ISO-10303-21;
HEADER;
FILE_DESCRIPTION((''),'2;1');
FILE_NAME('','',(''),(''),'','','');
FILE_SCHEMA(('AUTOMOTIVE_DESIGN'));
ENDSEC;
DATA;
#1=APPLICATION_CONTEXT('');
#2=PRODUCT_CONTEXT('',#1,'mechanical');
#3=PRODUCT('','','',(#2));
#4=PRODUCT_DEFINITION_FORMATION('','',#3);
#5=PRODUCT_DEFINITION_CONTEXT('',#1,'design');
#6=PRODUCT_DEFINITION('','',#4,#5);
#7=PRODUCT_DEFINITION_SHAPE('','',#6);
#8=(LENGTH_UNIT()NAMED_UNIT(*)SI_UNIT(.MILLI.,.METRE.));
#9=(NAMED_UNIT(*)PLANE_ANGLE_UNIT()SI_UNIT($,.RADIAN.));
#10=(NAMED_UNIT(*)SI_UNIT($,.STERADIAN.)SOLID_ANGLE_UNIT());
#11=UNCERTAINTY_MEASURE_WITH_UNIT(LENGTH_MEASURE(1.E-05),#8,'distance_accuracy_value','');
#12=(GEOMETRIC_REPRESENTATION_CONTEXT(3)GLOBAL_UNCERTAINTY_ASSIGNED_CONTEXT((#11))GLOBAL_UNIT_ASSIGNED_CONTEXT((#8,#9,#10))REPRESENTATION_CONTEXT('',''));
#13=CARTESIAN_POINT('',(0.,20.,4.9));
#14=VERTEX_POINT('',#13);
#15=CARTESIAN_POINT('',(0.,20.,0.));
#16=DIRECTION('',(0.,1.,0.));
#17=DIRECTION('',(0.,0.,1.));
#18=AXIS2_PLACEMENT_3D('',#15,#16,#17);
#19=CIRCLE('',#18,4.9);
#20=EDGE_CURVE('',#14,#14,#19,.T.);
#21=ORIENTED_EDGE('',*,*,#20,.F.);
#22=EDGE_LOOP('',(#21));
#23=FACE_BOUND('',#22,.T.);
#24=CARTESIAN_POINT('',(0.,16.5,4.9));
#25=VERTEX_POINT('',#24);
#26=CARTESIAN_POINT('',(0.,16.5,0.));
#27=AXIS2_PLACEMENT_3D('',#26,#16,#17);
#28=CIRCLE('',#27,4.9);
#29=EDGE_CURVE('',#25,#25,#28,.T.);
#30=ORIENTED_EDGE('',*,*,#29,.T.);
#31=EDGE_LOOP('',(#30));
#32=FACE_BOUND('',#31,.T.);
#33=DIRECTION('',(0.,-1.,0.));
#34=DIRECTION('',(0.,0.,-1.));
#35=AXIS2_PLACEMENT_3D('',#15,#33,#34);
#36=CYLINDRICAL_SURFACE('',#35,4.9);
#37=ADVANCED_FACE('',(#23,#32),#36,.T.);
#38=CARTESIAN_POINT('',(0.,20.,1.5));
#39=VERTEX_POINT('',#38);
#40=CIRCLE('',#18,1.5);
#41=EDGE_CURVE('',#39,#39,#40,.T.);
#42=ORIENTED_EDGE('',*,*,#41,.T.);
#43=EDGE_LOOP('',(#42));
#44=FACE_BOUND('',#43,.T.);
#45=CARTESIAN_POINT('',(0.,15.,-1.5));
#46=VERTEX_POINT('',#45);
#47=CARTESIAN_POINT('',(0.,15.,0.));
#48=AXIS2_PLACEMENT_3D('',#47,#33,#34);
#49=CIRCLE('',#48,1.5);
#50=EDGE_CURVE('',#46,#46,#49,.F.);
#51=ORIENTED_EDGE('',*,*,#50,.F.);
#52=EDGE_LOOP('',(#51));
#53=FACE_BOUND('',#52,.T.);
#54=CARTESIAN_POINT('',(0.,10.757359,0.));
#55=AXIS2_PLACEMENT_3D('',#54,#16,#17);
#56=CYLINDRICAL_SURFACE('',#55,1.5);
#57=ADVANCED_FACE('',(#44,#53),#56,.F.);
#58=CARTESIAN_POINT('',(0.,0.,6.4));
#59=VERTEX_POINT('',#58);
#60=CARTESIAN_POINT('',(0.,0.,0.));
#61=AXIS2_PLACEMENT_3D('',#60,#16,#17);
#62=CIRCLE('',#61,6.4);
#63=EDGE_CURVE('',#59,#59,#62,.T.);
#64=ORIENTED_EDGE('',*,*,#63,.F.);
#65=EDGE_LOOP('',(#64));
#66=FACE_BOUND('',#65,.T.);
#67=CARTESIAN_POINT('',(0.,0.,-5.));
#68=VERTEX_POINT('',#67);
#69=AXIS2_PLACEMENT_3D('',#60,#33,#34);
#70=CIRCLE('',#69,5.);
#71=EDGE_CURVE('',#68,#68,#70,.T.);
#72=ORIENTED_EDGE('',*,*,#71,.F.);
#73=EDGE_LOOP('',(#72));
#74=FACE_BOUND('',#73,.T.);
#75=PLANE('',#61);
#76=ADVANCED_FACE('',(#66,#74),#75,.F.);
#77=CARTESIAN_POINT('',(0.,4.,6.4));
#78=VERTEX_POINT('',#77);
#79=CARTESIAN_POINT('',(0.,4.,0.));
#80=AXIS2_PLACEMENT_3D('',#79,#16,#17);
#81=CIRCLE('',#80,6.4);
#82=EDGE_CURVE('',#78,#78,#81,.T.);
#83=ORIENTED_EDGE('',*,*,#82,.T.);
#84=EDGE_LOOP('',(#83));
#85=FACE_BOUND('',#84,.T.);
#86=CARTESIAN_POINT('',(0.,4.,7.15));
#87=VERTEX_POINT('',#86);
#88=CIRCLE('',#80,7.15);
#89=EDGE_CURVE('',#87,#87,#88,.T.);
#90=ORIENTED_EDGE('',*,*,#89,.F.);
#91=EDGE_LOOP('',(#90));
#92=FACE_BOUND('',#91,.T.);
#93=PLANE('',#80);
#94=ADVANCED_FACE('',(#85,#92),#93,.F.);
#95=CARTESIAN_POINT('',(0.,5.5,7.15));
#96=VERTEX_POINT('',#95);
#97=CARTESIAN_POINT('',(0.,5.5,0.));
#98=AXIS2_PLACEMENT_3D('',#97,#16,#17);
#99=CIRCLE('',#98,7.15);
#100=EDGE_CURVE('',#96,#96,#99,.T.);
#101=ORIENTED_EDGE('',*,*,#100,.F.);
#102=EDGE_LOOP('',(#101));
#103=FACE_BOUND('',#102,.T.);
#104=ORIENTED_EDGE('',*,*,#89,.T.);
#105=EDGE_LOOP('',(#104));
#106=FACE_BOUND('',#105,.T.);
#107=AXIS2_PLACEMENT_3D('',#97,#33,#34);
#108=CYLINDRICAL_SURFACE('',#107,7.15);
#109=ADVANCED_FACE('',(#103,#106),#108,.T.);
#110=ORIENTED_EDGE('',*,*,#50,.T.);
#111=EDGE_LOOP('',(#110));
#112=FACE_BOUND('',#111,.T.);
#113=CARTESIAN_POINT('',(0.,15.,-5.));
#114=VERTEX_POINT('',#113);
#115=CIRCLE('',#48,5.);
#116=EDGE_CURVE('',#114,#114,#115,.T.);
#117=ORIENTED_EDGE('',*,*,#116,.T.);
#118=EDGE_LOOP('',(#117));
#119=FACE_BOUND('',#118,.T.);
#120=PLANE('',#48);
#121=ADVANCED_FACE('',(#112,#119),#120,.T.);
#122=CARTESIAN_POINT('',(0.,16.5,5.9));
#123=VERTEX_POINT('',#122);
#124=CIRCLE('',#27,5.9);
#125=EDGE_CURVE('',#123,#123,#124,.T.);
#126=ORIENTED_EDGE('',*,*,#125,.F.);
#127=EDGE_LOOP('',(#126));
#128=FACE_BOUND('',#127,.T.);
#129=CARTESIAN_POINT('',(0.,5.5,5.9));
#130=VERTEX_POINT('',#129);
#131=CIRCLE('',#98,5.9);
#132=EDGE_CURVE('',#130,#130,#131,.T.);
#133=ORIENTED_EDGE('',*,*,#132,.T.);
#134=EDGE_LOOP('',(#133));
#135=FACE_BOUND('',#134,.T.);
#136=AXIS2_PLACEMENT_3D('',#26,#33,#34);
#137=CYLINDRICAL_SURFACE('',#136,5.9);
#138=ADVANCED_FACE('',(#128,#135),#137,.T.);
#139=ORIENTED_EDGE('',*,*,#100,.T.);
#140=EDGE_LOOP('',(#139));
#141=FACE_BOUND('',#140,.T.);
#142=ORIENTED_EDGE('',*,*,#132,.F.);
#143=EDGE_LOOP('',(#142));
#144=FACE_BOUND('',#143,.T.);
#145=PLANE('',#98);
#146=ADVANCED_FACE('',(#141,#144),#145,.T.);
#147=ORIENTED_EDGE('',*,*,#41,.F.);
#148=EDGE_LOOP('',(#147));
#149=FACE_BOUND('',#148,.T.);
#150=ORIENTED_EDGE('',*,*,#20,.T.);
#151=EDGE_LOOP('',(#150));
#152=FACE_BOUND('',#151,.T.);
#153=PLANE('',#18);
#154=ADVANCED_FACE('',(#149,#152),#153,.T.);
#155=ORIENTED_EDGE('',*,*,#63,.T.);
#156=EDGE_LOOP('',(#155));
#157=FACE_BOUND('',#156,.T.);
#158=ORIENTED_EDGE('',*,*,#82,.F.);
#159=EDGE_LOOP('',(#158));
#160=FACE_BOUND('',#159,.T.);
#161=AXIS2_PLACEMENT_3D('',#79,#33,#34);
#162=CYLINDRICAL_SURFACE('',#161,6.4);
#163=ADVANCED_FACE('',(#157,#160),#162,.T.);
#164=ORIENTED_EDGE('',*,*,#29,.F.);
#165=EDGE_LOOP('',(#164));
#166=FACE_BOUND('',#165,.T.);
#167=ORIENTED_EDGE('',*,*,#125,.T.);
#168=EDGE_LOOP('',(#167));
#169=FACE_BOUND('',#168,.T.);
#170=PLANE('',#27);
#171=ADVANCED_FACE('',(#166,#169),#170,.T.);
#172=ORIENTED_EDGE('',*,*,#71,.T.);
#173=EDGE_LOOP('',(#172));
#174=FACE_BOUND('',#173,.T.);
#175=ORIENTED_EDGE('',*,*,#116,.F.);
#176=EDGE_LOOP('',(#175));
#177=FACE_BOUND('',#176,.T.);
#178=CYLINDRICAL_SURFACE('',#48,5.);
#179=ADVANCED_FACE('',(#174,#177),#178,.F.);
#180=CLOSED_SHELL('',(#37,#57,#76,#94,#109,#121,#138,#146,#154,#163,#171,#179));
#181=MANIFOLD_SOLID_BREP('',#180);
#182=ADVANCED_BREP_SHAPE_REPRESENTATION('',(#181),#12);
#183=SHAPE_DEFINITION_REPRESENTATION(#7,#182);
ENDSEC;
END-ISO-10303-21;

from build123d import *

# Parameters (mm, degrees)
SKETCH_1_R          = 6.4
EXTRUDE_1_DEPTH     = 4
SKETCH_2_R          = 7.15
EXTRUDE_2_DEPTH     = 1.5
SKETCH_3_R          = 5.9
EXTRUDE_3_DEPTH     = 11
SKETCH_4_R          = 4.9
EXTRUDE_4_DEPTH     = 3.5
SKETCH_5_R          = 5
CUT_EXTRUDE_1_DEPTH = 15
SKETCH_6_R          = 1.5
CUT_EXTRUDE_2_DEPTH = 5


with BuildPart() as part:
    # ｽｹｯﾁ1 → ﾎﾞｽ - 押し出し1 (new body)
    with BuildSketch(Plane(origin=(0, 0, 0), x_dir=(1, 0, 0), z_dir=(0, 1, 0))):
        with Locations(Location((0, 0, 0), (0, 0, 270))):
            Circle(SKETCH_1_R)
    extrude(amount=EXTRUDE_1_DEPTH)

    # ｽｹｯﾁ2 → ﾎﾞｽ - 押し出し2 (add)
    with BuildSketch(Plane(origin=(0, 4, 0), x_dir=(1, 0, 0), z_dir=(0, 1, 0))):
        with Locations(Location((0, 0, 0), (0, 0, 270))):
            Circle(SKETCH_2_R)
    extrude(amount=EXTRUDE_2_DEPTH)

    # ｽｹｯﾁ3 → ﾎﾞｽ - 押し出し3 (add)
    with BuildSketch(Plane(origin=(0, 5.5, 0), x_dir=(1, 0, 0), z_dir=(0, 1, 0))):
        with Locations(Location((0, 0, 0), (0, 0, 270))):
            Circle(SKETCH_3_R)
    extrude(amount=EXTRUDE_3_DEPTH)

    # ｽｹｯﾁ4 → ﾎﾞｽ - 押し出し4 (add)
    with BuildSketch(Plane(origin=(0, 16.5, 0), x_dir=(1, 0, 0), z_dir=(0, 1, 0))):
        with Locations(Location((0, 0, 0), (0, 0, 270))):
            Circle(SKETCH_4_R)
    extrude(amount=EXTRUDE_4_DEPTH)

    # ｽｹｯﾁ5 → ｶｯﾄ - 押し出し1 (cut)
    with BuildSketch(Plane(origin=(0, 0, 0), x_dir=(-1, 0, 0), z_dir=(0, -1, 0))):
        with Locations(Location((0, 0, 0), (0, 0, 90))):
            Circle(SKETCH_5_R)
    extrude(amount=-CUT_EXTRUDE_1_DEPTH, mode=Mode.SUBTRACT)

    # ｽｹｯﾁ6 → ｶｯﾄ - 押し出し2 (cut)
    with BuildSketch(Plane(origin=(0, 20, 0), x_dir=(1, 0, 0), z_dir=(0, 1, 0))):
        with Locations(Location((0, 0, 0), (0, 0, 270))):
            Circle(SKETCH_6_R)
    extrude(amount=-CUT_EXTRUDE_2_DEPTH, mode=Mode.SUBTRACT)


solid = part.part
